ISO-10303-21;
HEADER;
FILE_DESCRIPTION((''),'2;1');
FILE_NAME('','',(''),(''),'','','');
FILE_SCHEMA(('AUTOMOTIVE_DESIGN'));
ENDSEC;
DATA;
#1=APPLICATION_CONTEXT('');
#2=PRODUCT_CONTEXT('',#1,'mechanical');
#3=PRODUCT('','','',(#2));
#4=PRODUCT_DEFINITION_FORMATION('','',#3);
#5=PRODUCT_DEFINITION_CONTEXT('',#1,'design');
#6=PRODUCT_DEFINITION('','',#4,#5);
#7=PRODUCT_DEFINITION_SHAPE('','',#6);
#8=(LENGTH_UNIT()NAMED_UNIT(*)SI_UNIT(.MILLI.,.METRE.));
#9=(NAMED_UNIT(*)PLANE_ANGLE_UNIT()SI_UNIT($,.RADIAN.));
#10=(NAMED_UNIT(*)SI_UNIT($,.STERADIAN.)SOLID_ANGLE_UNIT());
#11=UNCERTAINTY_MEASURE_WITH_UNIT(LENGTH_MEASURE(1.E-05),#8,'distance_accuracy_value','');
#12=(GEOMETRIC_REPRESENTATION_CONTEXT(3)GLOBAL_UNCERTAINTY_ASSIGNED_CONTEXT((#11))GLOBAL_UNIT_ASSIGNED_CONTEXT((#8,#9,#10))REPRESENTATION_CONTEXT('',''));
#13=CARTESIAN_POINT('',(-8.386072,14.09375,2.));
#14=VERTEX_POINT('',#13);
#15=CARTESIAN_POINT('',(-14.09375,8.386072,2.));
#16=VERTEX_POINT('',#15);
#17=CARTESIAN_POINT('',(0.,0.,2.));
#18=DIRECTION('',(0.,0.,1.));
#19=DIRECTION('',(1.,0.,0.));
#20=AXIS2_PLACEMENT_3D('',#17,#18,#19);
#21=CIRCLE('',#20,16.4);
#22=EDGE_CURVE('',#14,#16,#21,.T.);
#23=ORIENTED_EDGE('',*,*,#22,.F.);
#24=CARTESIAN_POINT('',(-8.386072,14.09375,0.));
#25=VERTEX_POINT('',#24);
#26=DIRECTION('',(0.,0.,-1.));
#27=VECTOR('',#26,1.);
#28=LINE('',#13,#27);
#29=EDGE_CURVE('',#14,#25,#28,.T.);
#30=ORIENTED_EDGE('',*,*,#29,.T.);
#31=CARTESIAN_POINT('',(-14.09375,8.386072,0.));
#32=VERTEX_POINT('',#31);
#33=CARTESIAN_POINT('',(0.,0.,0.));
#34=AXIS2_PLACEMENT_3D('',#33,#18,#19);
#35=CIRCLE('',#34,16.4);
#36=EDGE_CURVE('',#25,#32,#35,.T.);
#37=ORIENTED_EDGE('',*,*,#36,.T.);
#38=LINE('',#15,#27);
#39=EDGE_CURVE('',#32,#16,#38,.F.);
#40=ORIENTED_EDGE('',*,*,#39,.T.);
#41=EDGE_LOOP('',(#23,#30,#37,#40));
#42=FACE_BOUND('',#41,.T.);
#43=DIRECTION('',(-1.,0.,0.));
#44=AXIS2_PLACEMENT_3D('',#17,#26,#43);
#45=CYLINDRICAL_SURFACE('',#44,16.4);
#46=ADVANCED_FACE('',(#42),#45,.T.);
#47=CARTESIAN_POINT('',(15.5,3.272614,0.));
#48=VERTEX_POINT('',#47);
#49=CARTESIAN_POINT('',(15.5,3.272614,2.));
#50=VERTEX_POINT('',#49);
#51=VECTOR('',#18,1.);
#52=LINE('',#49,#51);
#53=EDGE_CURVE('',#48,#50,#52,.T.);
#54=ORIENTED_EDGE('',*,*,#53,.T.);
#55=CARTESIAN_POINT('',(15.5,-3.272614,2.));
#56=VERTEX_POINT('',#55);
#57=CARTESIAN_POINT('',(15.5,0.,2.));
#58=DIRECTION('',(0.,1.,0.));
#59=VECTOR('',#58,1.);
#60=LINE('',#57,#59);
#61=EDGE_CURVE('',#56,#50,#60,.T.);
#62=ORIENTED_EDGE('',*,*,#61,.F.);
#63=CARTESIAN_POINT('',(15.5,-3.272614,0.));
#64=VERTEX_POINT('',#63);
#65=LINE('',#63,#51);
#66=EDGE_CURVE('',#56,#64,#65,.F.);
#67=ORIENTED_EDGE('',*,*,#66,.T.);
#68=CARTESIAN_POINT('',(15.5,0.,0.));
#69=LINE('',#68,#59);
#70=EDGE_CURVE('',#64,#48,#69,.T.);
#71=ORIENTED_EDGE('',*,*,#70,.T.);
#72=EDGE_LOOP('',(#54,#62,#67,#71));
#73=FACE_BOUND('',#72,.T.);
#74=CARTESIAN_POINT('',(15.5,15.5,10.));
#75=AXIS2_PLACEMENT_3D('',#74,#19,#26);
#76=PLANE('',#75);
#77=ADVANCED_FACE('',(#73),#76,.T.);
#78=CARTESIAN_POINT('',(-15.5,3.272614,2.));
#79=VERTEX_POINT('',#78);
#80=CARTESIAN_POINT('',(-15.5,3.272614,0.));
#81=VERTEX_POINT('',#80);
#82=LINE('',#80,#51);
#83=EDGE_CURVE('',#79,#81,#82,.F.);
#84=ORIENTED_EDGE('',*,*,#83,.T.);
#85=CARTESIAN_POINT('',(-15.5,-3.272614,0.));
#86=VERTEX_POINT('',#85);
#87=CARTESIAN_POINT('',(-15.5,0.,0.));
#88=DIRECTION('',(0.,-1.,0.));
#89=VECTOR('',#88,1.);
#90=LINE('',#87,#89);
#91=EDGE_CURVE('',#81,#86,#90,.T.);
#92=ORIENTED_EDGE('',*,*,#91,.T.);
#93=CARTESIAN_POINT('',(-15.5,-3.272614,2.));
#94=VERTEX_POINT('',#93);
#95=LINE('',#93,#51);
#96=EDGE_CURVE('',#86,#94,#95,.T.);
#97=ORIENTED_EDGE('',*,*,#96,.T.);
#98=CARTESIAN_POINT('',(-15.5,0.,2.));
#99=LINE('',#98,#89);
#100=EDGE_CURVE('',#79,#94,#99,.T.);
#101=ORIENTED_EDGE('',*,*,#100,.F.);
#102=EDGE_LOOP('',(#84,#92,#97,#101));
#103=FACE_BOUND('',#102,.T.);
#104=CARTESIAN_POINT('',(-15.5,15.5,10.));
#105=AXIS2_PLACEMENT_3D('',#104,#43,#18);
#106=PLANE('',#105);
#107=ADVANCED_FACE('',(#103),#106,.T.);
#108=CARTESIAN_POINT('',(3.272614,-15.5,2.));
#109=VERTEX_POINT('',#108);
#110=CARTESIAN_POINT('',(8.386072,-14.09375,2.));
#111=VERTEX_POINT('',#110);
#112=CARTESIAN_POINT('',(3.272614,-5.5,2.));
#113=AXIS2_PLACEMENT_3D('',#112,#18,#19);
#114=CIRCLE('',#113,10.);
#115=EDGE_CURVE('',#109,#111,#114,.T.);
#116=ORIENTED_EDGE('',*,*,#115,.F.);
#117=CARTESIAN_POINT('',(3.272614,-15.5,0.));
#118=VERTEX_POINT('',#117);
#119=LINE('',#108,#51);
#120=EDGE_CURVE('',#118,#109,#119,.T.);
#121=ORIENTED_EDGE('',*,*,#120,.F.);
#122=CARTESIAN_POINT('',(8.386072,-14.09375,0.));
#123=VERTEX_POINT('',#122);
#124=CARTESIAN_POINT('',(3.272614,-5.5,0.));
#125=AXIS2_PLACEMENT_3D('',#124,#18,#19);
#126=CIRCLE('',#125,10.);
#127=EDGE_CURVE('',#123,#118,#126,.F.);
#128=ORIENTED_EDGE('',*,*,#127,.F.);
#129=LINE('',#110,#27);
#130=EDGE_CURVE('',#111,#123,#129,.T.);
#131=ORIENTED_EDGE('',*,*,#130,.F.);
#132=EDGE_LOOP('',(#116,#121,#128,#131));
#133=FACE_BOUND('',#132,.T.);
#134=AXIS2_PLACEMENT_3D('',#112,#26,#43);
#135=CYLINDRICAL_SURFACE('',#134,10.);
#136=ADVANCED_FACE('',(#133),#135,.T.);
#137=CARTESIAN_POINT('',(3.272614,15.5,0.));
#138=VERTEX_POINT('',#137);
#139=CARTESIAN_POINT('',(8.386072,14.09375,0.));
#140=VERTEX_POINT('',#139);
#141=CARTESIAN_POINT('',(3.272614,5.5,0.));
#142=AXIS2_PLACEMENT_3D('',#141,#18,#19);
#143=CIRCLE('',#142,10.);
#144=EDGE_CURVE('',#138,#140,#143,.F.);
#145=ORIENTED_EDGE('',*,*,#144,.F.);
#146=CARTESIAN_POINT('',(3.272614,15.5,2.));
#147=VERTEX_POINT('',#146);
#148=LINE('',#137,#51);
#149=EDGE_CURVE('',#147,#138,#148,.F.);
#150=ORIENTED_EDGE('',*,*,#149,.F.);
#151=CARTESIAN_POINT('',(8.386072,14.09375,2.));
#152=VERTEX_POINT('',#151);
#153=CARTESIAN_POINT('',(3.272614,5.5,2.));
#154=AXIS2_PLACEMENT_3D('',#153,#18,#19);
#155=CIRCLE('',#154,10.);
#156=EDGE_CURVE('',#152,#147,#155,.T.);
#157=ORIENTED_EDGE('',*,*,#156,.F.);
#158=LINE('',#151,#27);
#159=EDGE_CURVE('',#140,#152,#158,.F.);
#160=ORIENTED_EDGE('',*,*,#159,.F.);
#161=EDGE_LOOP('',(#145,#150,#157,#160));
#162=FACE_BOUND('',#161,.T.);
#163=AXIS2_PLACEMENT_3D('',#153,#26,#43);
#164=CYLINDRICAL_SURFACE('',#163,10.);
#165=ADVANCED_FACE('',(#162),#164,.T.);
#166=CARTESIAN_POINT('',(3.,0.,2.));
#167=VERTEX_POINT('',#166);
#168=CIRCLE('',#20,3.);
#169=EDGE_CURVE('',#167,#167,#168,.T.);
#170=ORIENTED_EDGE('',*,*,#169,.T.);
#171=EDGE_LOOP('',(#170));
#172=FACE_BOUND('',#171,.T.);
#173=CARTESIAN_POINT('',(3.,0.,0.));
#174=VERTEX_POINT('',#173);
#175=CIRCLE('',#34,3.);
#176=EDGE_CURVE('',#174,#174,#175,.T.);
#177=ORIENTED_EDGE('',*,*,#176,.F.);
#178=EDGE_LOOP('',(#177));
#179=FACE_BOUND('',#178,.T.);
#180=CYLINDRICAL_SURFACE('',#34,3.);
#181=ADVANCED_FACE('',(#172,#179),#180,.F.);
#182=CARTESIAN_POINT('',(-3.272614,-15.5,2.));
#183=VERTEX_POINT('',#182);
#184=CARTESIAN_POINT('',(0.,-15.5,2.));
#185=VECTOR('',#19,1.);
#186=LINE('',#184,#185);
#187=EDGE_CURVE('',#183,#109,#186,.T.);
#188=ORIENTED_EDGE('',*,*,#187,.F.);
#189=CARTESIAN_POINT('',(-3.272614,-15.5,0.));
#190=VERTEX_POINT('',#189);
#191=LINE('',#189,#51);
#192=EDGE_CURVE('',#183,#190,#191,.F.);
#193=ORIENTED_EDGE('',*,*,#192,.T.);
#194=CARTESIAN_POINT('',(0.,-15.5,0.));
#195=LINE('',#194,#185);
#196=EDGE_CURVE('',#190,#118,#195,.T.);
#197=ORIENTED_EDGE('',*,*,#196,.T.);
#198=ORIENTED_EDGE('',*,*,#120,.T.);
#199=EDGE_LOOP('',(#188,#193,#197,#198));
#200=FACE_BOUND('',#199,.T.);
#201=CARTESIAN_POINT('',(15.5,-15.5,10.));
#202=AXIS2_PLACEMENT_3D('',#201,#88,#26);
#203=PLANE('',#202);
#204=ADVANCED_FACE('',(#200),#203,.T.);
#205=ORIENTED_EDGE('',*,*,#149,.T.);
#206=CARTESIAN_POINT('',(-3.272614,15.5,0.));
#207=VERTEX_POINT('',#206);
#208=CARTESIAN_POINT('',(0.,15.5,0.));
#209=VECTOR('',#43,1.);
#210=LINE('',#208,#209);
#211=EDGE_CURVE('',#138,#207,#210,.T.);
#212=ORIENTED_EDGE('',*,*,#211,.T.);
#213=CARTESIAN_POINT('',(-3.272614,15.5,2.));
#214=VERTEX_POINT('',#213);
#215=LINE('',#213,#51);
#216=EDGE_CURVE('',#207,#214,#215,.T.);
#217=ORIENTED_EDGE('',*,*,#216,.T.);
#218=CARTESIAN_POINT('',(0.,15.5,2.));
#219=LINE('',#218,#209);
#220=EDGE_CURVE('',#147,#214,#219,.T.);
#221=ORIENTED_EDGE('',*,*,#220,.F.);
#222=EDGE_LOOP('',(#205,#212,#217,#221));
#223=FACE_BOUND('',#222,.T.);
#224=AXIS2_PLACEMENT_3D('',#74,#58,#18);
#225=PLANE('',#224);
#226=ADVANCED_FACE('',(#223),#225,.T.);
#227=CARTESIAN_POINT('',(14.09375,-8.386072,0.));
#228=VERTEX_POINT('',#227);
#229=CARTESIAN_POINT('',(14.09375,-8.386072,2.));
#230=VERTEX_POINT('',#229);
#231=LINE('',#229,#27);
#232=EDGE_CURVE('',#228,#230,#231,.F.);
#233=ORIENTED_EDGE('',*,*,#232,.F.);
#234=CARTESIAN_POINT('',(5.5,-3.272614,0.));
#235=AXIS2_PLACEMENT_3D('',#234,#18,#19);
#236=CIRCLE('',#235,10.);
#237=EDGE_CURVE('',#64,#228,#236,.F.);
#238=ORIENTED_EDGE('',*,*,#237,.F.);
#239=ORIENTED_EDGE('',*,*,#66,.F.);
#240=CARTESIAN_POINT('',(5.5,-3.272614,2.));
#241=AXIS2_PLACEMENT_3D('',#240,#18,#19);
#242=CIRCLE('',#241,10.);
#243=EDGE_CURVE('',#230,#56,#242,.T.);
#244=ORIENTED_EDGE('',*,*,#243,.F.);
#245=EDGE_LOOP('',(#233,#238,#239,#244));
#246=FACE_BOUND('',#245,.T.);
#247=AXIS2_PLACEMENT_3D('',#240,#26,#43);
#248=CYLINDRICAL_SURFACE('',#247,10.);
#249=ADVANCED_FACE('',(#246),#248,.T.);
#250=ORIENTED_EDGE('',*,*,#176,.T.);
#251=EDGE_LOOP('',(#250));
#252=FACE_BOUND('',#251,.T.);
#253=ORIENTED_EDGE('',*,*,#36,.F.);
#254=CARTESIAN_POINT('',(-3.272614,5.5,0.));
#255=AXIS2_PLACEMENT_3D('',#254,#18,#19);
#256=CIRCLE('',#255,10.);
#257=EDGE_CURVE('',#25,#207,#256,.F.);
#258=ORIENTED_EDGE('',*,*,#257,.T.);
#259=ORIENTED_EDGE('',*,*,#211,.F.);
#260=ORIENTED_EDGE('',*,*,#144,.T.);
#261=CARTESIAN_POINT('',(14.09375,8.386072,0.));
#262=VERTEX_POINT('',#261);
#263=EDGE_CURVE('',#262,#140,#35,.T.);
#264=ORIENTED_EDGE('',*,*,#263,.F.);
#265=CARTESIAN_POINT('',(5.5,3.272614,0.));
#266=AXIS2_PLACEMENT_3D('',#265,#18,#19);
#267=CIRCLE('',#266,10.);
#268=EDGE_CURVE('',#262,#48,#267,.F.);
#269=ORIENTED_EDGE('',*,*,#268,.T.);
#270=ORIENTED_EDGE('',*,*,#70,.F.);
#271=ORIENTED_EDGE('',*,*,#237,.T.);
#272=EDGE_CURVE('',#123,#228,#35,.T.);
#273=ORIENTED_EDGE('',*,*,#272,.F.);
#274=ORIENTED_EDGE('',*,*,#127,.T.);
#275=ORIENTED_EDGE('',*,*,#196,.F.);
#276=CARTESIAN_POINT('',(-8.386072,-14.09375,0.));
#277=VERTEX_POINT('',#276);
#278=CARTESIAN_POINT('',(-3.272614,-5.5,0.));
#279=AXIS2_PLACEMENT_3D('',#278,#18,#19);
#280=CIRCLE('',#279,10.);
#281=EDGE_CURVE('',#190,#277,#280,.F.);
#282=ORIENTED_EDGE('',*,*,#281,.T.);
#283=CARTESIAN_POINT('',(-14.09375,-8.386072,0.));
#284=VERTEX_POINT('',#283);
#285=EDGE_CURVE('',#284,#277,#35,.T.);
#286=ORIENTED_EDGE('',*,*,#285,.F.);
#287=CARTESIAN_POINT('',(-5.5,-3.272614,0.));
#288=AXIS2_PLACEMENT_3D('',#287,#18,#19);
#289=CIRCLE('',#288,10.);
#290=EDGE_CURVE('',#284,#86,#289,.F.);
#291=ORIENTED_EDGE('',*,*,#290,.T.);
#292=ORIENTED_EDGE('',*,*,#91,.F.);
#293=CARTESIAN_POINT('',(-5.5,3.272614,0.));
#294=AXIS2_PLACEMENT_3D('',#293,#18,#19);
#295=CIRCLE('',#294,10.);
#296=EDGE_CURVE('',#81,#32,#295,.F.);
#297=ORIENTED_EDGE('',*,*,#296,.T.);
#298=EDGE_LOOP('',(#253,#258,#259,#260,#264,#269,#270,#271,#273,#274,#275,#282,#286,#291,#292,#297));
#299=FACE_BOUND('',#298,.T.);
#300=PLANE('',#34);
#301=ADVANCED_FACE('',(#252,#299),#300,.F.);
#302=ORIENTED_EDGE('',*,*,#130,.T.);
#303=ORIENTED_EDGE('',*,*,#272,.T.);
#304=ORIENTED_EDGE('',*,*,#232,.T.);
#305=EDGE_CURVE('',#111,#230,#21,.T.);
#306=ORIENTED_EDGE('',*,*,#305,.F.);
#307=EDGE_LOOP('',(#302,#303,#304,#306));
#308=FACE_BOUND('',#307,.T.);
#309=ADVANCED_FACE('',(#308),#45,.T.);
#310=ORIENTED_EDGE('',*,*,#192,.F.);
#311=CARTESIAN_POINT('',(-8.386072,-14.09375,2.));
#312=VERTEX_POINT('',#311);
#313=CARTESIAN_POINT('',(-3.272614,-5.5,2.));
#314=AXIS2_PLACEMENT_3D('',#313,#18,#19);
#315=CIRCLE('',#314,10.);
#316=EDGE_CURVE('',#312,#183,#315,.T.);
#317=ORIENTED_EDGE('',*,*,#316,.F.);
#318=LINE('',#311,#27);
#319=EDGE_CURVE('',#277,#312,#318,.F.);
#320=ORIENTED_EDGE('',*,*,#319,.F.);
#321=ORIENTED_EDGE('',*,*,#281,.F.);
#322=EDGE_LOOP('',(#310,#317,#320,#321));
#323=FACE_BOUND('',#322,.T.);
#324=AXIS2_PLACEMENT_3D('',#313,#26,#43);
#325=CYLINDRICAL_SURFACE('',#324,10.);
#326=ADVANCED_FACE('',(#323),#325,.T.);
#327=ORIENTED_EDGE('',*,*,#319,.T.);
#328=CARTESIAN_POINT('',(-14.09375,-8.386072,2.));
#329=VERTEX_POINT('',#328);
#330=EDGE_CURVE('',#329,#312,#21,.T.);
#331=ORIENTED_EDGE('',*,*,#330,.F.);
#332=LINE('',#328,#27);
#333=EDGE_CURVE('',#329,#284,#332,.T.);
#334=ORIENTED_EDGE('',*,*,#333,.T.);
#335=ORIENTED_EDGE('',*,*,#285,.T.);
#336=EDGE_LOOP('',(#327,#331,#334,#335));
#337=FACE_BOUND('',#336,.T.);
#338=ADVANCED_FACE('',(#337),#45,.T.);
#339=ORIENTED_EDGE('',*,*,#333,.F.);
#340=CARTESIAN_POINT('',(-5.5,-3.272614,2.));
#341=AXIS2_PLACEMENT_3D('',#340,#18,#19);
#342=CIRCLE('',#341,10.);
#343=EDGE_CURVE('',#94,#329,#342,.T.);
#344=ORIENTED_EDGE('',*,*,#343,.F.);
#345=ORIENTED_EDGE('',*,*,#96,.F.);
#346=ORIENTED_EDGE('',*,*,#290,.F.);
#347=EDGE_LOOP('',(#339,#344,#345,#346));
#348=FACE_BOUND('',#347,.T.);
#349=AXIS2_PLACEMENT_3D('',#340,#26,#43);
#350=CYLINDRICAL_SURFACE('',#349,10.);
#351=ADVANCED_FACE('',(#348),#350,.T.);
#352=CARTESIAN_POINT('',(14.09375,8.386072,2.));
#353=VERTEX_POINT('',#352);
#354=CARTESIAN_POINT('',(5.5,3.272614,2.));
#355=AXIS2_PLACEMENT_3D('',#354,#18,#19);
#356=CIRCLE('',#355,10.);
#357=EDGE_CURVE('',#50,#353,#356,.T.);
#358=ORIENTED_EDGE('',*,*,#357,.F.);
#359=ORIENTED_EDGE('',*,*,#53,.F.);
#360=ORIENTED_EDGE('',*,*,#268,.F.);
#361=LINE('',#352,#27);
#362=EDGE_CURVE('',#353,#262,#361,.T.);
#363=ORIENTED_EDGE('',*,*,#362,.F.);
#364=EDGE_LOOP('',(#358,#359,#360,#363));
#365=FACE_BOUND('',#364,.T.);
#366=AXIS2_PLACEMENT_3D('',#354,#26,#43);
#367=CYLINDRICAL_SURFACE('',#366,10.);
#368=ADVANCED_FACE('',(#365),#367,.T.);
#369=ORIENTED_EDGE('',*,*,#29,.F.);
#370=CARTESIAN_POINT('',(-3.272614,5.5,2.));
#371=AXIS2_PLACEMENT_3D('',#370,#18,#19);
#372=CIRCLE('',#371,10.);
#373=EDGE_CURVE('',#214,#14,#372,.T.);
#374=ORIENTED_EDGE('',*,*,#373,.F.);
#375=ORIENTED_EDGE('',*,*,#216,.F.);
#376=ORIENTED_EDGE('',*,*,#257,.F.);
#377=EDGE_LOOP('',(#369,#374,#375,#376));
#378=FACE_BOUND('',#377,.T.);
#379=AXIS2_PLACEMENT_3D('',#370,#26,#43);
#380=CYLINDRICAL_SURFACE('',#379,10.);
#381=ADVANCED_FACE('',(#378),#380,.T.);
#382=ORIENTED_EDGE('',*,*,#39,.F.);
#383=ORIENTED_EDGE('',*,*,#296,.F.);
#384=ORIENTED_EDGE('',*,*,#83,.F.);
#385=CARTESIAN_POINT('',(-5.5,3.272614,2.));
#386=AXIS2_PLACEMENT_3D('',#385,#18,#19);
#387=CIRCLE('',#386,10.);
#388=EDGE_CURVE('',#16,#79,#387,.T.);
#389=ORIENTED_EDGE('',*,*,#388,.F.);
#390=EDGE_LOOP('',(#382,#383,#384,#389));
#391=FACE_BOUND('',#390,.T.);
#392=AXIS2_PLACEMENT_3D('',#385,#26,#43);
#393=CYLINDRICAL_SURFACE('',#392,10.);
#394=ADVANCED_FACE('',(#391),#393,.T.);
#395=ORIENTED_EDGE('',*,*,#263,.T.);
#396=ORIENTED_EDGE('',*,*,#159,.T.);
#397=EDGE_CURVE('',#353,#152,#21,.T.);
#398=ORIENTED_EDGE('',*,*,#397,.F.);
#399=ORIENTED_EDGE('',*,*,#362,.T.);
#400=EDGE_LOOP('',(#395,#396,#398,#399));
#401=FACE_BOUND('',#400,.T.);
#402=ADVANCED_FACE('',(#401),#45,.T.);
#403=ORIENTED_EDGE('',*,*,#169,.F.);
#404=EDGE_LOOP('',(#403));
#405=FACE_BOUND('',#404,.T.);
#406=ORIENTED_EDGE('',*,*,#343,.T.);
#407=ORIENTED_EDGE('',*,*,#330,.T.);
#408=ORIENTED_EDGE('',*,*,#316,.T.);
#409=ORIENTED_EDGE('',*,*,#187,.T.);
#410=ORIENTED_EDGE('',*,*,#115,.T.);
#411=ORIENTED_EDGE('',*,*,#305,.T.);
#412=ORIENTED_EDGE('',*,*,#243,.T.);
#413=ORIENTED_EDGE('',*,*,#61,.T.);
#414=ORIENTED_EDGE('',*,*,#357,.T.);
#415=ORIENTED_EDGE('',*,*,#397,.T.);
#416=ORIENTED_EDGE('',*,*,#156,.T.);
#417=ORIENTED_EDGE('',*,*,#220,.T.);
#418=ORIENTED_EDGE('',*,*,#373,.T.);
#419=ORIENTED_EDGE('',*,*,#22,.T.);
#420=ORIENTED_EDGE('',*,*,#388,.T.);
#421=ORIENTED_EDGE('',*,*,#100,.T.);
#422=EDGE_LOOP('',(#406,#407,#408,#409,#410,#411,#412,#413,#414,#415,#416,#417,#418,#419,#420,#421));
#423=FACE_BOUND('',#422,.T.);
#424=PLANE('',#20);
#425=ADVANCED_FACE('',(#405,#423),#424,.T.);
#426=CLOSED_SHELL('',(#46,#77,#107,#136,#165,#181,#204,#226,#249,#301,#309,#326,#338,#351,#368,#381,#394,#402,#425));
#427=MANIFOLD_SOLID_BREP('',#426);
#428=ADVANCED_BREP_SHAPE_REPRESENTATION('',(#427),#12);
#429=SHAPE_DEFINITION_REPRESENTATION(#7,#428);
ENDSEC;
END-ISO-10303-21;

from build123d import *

# Parameters (mm, degrees)
ESQUISSE1_R             = 16.4
BOSS_EXTRU_1_DEPTH      = 2
ESQUISSE3_R             = 3
ENL_V_MAT_EXTRU_1_DEPTH = 3
ESQUISSE4_W             = 72.110421533
ESQUISSE4_H             = 46.707886675
ESQUISSE4_W_2           = 31
ESQUISSE4_H_2           = 31
ENL_V_MAT_EXTRU_2_DEPTH = 10
CONG_1_R                = 10


with BuildPart() as part:
    # Esquisse1 → Boss.-Extru.1 (new body)
    with BuildSketch(Plane.XY):
        Circle(ESQUISSE1_R)
    extrude(amount=BOSS_EXTRU_1_DEPTH)

    # Esquisse3 → Enlèv. mat.-Extru.1 (cut, through all)
    with BuildSketch(Plane.XY.offset(2)):
        Circle(ESQUISSE3_R)
    extrude(amount=-ENL_V_MAT_EXTRU_1_DEPTH, mode=Mode.SUBTRACT)

    # Esquisse4 → Enlèv. mat.-Extru.2 (cut)
    with BuildSketch(Plane(origin=(0, 0, 0), x_dir=(-1, 0, 0), z_dir=(0, 0, -1))):
        with Locations((-0.063033586, -0.977020572)):
            Rectangle(ESQUISSE4_W, ESQUISSE4_H)
        Rectangle(ESQUISSE4_W_2, ESQUISSE4_H_2, mode=Mode.SUBTRACT)
    extrude(amount=-ENL_V_MAT_EXTRU_2_DEPTH, mode=Mode.SUBTRACT)

    # Congé1
    cong_1_edges = [part.edges().sort_by_distance(p)[0] for p in [
        (15.5, -5.35817133, 1),
        (15.5, 5.35817133, 1),
        (5.35817133, 15.5, 1),
        (-5.35817133, 15.5, 1),
        (-15.5, 5.35817133, 1),
        (-15.5, -5.35817133, 1),
        (-5.35817133, -15.5, 1),
        (5.35817133, -15.5, 1),
    ]]
    fillet(cong_1_edges, radius=CONG_1_R)


solid = part.part
